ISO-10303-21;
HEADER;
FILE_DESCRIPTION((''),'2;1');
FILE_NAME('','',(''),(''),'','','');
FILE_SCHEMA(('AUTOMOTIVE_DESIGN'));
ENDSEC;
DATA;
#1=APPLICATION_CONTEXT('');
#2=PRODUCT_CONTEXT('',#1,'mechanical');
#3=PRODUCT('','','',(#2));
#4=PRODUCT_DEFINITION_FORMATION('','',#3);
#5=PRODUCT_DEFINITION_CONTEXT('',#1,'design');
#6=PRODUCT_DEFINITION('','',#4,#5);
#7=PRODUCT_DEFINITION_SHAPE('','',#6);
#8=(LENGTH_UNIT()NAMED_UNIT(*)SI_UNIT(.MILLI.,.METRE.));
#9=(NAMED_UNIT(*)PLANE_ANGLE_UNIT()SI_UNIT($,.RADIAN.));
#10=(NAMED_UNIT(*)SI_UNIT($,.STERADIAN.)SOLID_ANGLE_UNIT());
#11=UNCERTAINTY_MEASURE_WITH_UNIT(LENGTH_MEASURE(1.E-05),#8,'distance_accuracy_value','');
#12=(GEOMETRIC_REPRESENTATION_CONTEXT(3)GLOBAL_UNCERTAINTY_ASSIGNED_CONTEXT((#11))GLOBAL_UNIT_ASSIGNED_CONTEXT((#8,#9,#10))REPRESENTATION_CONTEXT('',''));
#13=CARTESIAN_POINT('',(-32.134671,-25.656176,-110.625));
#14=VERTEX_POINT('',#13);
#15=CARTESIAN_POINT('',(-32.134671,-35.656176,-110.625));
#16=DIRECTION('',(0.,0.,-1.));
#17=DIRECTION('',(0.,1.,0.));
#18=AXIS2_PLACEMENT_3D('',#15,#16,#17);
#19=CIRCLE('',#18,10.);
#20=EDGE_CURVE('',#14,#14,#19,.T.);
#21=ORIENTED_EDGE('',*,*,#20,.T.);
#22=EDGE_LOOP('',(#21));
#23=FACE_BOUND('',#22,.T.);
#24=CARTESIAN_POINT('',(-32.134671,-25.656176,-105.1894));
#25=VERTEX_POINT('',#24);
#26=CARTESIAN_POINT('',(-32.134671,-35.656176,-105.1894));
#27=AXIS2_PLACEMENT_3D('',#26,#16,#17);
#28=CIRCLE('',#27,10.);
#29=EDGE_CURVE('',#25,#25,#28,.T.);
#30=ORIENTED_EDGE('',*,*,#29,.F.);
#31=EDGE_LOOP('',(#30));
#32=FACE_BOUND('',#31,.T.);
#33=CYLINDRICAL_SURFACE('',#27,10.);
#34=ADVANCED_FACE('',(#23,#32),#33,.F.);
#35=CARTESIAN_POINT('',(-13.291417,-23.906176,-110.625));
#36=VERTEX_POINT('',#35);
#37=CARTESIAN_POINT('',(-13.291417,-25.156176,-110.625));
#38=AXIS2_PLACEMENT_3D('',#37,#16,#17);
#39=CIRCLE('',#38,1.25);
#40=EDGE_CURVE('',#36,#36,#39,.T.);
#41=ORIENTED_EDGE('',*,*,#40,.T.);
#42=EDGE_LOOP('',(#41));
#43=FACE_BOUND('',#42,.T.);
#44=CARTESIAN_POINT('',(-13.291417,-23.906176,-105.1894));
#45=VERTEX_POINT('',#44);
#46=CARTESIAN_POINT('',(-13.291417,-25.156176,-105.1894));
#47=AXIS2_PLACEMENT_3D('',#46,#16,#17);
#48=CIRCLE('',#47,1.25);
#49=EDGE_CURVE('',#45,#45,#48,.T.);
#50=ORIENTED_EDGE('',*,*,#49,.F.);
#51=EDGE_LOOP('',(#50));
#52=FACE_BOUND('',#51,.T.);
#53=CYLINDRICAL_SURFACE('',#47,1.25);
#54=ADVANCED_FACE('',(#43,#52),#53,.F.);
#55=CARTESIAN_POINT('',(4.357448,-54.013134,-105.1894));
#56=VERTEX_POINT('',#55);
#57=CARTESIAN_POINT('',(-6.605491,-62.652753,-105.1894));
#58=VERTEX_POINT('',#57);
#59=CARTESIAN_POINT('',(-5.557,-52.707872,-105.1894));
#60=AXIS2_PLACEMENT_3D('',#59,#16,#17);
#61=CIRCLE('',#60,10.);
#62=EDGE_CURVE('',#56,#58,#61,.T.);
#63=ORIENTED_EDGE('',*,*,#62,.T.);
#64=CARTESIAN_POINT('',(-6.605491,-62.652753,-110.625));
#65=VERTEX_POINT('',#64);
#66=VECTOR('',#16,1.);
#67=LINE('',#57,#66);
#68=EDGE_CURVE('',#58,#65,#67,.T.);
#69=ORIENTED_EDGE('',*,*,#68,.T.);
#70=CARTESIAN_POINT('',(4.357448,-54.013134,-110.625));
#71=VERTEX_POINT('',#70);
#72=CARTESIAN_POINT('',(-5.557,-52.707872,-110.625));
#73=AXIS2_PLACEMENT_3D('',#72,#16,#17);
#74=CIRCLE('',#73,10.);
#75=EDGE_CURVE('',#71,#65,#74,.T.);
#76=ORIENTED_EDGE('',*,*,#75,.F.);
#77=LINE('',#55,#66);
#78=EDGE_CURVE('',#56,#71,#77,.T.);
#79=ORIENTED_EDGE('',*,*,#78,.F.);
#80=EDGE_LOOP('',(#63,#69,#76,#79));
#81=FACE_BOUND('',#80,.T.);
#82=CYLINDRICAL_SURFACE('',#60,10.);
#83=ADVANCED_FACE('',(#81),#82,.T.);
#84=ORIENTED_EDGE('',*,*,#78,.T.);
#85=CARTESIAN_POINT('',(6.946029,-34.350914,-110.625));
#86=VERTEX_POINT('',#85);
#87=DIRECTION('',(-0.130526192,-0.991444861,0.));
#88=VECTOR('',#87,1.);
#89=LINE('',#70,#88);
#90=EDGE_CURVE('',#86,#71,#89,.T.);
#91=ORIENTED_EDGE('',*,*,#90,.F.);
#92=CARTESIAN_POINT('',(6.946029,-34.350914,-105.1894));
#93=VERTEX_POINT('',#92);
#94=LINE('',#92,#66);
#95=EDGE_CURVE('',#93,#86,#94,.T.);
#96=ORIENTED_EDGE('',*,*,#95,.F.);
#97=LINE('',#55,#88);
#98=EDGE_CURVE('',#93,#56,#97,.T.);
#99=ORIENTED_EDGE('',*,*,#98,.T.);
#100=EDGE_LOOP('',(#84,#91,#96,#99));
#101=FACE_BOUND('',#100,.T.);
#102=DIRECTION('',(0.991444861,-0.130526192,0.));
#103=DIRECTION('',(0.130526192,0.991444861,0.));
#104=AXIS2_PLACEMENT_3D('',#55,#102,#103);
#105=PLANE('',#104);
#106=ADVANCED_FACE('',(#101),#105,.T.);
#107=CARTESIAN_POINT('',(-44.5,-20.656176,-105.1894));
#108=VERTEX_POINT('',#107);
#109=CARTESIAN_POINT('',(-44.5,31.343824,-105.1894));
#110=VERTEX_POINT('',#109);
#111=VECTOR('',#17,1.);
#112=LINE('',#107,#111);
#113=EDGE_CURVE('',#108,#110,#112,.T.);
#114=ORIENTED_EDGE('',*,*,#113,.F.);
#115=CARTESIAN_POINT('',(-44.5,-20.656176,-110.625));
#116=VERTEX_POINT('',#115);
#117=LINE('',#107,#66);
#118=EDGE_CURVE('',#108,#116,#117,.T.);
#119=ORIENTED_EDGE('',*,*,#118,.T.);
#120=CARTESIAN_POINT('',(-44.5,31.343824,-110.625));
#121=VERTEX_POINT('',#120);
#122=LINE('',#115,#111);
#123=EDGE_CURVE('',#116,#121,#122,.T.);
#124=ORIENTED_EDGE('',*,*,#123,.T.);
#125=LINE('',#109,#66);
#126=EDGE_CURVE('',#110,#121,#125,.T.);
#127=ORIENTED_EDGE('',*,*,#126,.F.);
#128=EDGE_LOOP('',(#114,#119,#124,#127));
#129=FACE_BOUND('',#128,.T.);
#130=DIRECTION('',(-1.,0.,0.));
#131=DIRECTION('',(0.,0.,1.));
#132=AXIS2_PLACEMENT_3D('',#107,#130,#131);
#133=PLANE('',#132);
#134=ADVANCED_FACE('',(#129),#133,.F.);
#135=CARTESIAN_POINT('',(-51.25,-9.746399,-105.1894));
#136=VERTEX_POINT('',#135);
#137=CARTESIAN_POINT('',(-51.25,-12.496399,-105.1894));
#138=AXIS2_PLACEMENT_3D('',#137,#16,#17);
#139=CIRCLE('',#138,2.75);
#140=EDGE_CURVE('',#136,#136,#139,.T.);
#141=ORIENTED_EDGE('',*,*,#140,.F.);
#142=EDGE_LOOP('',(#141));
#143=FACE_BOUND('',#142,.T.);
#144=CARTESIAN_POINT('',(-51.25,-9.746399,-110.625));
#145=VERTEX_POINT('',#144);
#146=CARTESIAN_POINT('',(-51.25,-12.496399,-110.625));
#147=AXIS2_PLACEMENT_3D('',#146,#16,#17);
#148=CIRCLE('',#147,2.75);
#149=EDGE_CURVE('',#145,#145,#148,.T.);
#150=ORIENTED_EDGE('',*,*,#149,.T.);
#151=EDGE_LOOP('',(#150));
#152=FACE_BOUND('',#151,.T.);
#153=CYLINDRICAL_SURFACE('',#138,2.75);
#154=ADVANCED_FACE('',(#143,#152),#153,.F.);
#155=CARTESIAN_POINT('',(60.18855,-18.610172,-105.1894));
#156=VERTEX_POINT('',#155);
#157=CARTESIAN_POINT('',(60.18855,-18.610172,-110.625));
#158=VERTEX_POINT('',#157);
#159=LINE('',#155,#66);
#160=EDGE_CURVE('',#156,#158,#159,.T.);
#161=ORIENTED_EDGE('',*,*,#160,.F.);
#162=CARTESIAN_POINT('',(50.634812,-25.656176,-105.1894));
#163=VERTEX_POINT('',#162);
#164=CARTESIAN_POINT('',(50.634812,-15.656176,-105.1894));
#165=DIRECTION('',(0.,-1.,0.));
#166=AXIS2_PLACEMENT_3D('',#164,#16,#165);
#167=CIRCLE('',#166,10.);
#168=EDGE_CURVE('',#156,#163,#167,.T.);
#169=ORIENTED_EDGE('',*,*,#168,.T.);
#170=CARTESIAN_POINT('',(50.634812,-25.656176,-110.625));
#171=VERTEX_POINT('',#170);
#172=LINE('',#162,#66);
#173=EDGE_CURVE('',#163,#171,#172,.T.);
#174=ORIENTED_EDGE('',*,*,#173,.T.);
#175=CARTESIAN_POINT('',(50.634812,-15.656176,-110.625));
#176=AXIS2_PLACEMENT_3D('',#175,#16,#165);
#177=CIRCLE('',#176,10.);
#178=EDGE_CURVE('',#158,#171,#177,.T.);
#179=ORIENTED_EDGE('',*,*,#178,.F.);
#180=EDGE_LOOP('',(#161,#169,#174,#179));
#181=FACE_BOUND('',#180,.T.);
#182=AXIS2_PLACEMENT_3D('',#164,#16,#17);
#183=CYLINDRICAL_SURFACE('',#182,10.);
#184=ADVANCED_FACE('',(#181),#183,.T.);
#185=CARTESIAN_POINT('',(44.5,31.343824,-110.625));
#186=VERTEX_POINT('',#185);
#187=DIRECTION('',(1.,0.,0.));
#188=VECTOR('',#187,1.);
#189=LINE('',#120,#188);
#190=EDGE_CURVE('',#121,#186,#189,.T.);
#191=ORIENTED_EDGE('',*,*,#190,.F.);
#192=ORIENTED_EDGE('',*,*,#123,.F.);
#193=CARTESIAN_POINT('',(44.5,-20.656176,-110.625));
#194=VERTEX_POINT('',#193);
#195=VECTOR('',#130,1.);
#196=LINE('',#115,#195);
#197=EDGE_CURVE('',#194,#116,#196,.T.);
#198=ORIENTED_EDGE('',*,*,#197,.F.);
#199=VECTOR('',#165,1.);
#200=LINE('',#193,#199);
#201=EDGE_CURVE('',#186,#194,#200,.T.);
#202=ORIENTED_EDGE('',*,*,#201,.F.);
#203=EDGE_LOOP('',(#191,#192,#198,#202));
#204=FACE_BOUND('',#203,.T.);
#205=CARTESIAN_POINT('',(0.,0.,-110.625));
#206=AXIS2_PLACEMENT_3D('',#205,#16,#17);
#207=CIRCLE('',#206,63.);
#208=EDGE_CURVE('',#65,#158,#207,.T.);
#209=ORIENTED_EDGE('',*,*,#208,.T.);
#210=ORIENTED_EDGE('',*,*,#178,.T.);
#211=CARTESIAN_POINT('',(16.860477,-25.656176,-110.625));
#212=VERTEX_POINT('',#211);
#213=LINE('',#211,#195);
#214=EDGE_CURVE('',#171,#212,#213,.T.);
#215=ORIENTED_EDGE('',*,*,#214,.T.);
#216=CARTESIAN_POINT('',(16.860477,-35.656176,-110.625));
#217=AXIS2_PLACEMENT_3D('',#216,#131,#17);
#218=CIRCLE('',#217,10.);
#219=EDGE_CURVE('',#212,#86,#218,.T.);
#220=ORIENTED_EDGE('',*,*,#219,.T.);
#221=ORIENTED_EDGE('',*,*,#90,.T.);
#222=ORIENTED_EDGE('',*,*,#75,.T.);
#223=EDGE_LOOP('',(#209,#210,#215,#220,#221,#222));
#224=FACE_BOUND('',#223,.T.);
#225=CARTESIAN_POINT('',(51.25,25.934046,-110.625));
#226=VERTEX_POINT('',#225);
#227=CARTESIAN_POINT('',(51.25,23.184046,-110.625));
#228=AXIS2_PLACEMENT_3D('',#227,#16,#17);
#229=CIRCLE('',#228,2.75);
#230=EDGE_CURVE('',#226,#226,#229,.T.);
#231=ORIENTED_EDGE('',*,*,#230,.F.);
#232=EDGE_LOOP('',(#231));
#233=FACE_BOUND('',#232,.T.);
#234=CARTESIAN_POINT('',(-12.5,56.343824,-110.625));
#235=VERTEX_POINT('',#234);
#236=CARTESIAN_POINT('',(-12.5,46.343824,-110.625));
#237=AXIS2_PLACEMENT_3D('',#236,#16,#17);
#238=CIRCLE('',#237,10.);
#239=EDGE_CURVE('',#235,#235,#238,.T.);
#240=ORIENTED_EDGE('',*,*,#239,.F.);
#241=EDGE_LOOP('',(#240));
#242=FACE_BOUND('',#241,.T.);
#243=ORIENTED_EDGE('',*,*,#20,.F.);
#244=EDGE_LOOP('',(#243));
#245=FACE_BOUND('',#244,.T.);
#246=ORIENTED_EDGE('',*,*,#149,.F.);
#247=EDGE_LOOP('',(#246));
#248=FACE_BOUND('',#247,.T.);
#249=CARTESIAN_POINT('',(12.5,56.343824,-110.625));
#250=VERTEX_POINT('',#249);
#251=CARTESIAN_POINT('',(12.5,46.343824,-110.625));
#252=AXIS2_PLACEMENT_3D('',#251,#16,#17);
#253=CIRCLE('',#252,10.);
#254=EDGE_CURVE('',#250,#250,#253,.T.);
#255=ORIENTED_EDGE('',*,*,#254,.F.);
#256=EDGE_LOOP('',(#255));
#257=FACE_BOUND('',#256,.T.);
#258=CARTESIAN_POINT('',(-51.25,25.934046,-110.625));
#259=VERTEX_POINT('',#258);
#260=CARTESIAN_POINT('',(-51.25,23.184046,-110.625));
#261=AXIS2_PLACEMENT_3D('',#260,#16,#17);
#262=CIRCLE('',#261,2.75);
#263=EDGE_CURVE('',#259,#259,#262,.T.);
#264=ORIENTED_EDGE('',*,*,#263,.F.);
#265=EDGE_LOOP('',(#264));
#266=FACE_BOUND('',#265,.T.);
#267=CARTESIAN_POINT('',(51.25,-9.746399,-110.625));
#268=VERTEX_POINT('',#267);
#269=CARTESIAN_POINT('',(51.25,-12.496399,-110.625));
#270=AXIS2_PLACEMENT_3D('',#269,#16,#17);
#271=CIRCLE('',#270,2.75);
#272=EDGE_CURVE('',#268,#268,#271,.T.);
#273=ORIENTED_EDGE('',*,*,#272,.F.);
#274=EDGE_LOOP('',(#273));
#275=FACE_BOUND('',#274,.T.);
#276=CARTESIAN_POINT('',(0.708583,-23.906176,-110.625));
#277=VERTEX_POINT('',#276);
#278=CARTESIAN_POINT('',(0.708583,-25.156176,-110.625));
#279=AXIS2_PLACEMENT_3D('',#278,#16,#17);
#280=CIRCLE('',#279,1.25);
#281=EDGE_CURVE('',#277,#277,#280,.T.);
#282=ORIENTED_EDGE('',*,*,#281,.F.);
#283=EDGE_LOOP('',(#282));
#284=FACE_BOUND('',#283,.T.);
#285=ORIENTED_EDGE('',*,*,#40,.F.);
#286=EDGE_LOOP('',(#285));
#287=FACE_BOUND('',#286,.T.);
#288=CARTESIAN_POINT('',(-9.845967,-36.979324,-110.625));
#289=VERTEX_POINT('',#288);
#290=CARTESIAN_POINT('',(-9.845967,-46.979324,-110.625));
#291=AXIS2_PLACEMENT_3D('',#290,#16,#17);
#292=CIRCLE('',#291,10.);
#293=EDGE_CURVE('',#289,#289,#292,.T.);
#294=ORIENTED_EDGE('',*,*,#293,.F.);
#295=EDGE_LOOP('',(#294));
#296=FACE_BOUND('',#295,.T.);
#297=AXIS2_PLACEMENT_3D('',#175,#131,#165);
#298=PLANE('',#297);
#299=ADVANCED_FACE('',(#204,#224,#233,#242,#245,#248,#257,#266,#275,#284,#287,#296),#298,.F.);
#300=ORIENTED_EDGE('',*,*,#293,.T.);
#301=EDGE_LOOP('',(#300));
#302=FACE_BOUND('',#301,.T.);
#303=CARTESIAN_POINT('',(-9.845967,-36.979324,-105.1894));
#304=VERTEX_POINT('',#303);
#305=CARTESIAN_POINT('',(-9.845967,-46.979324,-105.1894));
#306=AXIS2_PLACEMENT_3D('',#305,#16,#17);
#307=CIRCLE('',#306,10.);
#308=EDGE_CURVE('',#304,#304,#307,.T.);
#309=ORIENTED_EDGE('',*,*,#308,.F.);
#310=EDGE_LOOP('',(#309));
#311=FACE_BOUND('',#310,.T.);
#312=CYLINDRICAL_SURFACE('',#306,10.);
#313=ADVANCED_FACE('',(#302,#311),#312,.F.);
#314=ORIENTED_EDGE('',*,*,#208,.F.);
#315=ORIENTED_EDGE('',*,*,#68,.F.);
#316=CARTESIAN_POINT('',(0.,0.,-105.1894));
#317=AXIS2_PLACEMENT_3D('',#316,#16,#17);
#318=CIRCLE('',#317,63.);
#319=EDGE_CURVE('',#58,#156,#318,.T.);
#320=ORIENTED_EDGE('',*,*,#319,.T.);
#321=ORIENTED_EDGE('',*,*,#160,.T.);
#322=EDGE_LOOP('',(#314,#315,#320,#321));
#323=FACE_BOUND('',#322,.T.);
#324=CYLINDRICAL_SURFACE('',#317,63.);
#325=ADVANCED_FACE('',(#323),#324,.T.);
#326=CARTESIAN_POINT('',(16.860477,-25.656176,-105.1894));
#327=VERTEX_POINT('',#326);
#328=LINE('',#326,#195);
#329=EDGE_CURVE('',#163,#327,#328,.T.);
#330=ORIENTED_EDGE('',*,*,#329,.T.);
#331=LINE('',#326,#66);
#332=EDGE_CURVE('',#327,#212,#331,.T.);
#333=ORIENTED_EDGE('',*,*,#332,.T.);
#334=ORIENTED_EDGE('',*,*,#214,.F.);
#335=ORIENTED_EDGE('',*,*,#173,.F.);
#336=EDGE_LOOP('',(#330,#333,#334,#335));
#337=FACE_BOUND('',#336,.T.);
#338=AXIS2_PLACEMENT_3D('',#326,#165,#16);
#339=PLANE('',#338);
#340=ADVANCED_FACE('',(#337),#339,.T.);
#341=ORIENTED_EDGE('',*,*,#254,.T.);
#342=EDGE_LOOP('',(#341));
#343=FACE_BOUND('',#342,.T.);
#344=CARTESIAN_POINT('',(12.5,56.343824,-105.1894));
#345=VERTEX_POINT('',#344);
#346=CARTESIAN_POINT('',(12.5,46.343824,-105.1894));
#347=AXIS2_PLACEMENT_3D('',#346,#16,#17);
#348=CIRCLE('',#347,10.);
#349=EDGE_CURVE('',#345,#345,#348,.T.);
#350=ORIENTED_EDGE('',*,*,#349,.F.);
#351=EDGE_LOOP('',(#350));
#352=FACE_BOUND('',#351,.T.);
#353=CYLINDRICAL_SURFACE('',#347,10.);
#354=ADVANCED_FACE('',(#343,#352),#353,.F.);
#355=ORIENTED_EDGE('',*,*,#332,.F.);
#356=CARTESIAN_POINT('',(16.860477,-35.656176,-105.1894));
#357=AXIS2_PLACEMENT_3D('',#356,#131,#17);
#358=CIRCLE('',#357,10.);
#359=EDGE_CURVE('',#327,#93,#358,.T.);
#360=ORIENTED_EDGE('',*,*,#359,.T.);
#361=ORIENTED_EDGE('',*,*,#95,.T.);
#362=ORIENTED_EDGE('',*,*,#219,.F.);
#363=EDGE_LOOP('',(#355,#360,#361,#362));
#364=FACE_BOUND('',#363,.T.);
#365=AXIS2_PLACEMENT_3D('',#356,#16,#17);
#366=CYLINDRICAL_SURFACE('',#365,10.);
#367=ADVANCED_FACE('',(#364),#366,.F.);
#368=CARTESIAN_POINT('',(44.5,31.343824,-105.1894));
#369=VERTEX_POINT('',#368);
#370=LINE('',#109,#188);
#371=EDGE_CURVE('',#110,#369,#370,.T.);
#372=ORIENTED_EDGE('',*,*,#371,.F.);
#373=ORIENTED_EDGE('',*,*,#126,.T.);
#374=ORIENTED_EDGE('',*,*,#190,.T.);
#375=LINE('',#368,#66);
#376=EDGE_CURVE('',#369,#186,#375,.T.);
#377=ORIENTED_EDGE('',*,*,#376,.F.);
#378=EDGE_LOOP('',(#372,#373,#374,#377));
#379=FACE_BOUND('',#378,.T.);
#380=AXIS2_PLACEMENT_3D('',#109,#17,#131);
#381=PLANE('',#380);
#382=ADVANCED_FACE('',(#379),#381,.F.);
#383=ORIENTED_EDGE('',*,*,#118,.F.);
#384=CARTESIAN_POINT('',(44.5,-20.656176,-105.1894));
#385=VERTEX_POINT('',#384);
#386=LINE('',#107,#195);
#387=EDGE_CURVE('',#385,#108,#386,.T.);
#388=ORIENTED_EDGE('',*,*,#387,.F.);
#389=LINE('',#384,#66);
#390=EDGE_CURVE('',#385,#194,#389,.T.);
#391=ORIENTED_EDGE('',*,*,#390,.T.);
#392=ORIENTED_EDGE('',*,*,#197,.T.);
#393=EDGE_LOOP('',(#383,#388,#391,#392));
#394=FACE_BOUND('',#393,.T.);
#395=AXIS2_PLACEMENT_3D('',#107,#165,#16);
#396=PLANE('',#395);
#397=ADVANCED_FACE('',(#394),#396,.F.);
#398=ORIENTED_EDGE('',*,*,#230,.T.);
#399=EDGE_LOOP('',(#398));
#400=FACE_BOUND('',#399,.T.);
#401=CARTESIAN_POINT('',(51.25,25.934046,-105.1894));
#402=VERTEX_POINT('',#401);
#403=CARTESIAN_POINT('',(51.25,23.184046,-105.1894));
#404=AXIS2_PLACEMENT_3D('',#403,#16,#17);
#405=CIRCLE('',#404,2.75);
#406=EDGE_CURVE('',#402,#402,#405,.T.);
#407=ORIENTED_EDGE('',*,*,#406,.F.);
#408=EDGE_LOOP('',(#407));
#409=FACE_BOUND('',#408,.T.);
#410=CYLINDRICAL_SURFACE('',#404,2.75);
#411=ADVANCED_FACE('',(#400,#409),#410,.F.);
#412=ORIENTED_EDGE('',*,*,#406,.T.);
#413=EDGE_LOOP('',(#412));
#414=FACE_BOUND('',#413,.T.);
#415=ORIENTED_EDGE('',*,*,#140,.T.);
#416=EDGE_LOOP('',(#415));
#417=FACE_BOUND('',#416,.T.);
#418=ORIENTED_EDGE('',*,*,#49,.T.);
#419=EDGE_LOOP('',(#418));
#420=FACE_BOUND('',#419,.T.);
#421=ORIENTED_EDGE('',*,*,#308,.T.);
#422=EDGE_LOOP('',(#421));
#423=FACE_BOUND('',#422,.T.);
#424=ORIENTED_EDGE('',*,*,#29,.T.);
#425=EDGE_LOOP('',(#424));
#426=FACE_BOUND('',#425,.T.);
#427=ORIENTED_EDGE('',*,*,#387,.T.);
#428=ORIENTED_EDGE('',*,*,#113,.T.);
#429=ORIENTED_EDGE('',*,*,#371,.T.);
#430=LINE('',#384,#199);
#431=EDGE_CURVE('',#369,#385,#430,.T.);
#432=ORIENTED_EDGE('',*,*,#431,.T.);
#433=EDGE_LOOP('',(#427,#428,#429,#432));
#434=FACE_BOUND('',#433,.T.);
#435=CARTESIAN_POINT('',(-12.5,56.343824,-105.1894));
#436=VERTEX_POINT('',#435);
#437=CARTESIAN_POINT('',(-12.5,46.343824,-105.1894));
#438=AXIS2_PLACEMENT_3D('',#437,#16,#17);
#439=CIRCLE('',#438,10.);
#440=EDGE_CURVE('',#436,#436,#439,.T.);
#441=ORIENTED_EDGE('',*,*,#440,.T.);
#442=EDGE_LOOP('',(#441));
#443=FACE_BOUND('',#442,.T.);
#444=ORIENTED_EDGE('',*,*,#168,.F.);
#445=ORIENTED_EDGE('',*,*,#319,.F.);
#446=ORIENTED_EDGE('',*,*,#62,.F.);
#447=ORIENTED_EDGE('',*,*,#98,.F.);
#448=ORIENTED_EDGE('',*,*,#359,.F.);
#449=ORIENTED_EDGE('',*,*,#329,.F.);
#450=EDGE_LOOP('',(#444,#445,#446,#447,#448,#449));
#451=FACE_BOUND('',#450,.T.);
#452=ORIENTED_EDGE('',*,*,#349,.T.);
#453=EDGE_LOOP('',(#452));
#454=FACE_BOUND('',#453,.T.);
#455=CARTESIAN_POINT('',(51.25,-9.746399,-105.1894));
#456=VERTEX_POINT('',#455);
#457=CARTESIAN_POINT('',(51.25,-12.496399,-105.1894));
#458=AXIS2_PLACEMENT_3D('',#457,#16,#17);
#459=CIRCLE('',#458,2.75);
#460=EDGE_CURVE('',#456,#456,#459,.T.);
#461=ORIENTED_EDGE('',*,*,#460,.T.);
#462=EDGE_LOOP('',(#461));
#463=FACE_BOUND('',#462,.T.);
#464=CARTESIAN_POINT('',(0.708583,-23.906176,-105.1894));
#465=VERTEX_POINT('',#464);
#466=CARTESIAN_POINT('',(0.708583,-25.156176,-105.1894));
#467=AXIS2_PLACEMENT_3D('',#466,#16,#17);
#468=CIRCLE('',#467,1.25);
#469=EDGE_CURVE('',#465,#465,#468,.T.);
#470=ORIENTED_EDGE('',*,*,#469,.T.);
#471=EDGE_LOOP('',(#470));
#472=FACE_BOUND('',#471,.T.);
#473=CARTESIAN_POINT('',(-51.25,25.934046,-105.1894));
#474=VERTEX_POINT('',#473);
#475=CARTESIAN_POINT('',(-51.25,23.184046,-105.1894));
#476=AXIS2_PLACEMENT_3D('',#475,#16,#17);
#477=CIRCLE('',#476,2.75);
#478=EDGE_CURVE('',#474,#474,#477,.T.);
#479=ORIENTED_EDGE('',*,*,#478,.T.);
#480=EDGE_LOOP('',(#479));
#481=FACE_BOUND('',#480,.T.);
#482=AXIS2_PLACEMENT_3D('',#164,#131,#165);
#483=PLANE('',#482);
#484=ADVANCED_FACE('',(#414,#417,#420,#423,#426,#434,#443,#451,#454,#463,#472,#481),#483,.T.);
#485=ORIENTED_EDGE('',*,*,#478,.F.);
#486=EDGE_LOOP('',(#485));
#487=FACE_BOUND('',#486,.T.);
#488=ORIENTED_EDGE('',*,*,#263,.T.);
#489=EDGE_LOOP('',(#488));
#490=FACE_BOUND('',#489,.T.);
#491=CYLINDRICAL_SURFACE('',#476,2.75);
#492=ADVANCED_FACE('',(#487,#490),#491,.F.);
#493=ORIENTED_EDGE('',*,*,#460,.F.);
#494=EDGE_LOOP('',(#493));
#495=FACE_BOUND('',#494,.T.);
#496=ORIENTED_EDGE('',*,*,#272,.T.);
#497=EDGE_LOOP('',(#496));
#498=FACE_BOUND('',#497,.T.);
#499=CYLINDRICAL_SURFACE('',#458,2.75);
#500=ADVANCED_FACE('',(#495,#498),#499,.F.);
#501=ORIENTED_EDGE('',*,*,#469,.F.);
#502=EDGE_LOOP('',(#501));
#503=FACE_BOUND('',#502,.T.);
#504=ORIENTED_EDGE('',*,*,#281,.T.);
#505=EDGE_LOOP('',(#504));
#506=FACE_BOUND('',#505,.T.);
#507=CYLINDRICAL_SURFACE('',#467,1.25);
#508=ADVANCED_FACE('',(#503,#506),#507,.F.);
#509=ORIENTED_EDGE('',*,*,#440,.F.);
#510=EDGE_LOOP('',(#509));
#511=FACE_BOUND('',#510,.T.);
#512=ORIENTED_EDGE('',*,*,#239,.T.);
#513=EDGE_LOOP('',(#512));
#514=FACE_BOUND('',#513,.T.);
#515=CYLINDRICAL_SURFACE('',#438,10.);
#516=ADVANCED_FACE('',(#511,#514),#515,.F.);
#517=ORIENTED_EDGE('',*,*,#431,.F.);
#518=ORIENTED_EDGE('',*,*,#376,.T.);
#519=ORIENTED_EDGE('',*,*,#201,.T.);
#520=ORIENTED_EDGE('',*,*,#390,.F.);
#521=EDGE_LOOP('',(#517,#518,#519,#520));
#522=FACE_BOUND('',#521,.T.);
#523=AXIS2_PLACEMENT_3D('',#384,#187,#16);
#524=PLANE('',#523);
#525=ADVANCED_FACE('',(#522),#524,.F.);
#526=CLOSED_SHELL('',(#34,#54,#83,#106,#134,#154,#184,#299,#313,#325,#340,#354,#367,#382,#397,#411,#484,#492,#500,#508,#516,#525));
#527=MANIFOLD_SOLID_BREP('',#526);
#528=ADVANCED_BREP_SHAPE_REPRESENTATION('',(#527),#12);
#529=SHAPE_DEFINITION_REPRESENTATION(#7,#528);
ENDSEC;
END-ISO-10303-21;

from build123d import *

# Parameters (mm, degrees)
SKETCH2_R           = 10
SKETCH2_R_2         = 2.75
SKETCH2_R_3         = 1.25
SKETCH2_W           = 89
SKETCH2_H           = 52
BOSS_EXTRUDE1_DEPTH = 5.4356


with BuildPart() as part:
    # Sketch2 → Boss-Extrude1 (new body)
    with BuildSketch(Plane(origin=(0, 0, -110.625), x_dir=(-1, 0, 0), z_dir=(0, 0, -1))):
        with BuildLine():
            Line((-4.357448371, -54.013133709), (-6.946028661, -34.350914325))
            ThreePointArc((-6.946028661, -34.350914325), (-10.267019124, -28.137778173), (-16.860477275, -25.656176248))
            Line((-16.860477275, -25.656176248), (-50.634811595, -25.656176248))
            ThreePointArc((-50.634811595, -25.656176248), (-56.570299984, -23.704155969), (-60.188549632, -18.610171766))
            ThreePointArc((-60.188549632, -18.610171766), (34.680301225, 52.595405759), (6.605490855, -62.652753256))
            ThreePointArc((6.605490855, -62.652753256), (-0.632673359, -60.562038878), (-4.357448371, -54.013133709))
        make_face()
        with Locations(Location((12.5, 46.343823752, 0), (0, 0, 90))):
            Circle(SKETCH2_R, mode=Mode.SUBTRACT)
        with Locations(Location((-12.5, 46.343823752, 0), (0, 0, 90))):
            Circle(SKETCH2_R, mode=Mode.SUBTRACT)
        with Locations(Location((32.134671235, -35.656176248, 0), (0, 0, 90))):
            Circle(SKETCH2_R, mode=Mode.SUBTRACT)
        with Locations(Location((9.845967479, -46.979324435, 0), (0, 0, 90))):
            Circle(SKETCH2_R, mode=Mode.SUBTRACT)
        with Locations(Location((51.25, 23.184046239, 0), (0, 0, 90))):
            Circle(SKETCH2_R_2, mode=Mode.SUBTRACT)
        with Locations(Location((51.25, -12.496398734, 0), (0, 0, 90))):
            Circle(SKETCH2_R_2, mode=Mode.SUBTRACT)
        with Locations(Location((-51.25, -12.496398734, 0), (0, 0, 90))):
            Circle(SKETCH2_R_2, mode=Mode.SUBTRACT)
        with Locations(Location((-51.25, 23.184046239, 0), (0, 0, 90))):
            Circle(SKETCH2_R_2, mode=Mode.SUBTRACT)
        with Locations(Location((13.291416771, -25.156176248, 0), (0, 0, 90))):
            Circle(SKETCH2_R_3, mode=Mode.SUBTRACT)
        with Locations(Location((-0.708583229, -25.156176248, 0), (0, 0, 90))):
            Circle(SKETCH2_R_3, mode=Mode.SUBTRACT)
        with Locations((0, 5.343823752)):
            Rectangle(SKETCH2_W, SKETCH2_H, mode=Mode.SUBTRACT)
    extrude(amount=-BOSS_EXTRUDE1_DEPTH)


solid = part.part
